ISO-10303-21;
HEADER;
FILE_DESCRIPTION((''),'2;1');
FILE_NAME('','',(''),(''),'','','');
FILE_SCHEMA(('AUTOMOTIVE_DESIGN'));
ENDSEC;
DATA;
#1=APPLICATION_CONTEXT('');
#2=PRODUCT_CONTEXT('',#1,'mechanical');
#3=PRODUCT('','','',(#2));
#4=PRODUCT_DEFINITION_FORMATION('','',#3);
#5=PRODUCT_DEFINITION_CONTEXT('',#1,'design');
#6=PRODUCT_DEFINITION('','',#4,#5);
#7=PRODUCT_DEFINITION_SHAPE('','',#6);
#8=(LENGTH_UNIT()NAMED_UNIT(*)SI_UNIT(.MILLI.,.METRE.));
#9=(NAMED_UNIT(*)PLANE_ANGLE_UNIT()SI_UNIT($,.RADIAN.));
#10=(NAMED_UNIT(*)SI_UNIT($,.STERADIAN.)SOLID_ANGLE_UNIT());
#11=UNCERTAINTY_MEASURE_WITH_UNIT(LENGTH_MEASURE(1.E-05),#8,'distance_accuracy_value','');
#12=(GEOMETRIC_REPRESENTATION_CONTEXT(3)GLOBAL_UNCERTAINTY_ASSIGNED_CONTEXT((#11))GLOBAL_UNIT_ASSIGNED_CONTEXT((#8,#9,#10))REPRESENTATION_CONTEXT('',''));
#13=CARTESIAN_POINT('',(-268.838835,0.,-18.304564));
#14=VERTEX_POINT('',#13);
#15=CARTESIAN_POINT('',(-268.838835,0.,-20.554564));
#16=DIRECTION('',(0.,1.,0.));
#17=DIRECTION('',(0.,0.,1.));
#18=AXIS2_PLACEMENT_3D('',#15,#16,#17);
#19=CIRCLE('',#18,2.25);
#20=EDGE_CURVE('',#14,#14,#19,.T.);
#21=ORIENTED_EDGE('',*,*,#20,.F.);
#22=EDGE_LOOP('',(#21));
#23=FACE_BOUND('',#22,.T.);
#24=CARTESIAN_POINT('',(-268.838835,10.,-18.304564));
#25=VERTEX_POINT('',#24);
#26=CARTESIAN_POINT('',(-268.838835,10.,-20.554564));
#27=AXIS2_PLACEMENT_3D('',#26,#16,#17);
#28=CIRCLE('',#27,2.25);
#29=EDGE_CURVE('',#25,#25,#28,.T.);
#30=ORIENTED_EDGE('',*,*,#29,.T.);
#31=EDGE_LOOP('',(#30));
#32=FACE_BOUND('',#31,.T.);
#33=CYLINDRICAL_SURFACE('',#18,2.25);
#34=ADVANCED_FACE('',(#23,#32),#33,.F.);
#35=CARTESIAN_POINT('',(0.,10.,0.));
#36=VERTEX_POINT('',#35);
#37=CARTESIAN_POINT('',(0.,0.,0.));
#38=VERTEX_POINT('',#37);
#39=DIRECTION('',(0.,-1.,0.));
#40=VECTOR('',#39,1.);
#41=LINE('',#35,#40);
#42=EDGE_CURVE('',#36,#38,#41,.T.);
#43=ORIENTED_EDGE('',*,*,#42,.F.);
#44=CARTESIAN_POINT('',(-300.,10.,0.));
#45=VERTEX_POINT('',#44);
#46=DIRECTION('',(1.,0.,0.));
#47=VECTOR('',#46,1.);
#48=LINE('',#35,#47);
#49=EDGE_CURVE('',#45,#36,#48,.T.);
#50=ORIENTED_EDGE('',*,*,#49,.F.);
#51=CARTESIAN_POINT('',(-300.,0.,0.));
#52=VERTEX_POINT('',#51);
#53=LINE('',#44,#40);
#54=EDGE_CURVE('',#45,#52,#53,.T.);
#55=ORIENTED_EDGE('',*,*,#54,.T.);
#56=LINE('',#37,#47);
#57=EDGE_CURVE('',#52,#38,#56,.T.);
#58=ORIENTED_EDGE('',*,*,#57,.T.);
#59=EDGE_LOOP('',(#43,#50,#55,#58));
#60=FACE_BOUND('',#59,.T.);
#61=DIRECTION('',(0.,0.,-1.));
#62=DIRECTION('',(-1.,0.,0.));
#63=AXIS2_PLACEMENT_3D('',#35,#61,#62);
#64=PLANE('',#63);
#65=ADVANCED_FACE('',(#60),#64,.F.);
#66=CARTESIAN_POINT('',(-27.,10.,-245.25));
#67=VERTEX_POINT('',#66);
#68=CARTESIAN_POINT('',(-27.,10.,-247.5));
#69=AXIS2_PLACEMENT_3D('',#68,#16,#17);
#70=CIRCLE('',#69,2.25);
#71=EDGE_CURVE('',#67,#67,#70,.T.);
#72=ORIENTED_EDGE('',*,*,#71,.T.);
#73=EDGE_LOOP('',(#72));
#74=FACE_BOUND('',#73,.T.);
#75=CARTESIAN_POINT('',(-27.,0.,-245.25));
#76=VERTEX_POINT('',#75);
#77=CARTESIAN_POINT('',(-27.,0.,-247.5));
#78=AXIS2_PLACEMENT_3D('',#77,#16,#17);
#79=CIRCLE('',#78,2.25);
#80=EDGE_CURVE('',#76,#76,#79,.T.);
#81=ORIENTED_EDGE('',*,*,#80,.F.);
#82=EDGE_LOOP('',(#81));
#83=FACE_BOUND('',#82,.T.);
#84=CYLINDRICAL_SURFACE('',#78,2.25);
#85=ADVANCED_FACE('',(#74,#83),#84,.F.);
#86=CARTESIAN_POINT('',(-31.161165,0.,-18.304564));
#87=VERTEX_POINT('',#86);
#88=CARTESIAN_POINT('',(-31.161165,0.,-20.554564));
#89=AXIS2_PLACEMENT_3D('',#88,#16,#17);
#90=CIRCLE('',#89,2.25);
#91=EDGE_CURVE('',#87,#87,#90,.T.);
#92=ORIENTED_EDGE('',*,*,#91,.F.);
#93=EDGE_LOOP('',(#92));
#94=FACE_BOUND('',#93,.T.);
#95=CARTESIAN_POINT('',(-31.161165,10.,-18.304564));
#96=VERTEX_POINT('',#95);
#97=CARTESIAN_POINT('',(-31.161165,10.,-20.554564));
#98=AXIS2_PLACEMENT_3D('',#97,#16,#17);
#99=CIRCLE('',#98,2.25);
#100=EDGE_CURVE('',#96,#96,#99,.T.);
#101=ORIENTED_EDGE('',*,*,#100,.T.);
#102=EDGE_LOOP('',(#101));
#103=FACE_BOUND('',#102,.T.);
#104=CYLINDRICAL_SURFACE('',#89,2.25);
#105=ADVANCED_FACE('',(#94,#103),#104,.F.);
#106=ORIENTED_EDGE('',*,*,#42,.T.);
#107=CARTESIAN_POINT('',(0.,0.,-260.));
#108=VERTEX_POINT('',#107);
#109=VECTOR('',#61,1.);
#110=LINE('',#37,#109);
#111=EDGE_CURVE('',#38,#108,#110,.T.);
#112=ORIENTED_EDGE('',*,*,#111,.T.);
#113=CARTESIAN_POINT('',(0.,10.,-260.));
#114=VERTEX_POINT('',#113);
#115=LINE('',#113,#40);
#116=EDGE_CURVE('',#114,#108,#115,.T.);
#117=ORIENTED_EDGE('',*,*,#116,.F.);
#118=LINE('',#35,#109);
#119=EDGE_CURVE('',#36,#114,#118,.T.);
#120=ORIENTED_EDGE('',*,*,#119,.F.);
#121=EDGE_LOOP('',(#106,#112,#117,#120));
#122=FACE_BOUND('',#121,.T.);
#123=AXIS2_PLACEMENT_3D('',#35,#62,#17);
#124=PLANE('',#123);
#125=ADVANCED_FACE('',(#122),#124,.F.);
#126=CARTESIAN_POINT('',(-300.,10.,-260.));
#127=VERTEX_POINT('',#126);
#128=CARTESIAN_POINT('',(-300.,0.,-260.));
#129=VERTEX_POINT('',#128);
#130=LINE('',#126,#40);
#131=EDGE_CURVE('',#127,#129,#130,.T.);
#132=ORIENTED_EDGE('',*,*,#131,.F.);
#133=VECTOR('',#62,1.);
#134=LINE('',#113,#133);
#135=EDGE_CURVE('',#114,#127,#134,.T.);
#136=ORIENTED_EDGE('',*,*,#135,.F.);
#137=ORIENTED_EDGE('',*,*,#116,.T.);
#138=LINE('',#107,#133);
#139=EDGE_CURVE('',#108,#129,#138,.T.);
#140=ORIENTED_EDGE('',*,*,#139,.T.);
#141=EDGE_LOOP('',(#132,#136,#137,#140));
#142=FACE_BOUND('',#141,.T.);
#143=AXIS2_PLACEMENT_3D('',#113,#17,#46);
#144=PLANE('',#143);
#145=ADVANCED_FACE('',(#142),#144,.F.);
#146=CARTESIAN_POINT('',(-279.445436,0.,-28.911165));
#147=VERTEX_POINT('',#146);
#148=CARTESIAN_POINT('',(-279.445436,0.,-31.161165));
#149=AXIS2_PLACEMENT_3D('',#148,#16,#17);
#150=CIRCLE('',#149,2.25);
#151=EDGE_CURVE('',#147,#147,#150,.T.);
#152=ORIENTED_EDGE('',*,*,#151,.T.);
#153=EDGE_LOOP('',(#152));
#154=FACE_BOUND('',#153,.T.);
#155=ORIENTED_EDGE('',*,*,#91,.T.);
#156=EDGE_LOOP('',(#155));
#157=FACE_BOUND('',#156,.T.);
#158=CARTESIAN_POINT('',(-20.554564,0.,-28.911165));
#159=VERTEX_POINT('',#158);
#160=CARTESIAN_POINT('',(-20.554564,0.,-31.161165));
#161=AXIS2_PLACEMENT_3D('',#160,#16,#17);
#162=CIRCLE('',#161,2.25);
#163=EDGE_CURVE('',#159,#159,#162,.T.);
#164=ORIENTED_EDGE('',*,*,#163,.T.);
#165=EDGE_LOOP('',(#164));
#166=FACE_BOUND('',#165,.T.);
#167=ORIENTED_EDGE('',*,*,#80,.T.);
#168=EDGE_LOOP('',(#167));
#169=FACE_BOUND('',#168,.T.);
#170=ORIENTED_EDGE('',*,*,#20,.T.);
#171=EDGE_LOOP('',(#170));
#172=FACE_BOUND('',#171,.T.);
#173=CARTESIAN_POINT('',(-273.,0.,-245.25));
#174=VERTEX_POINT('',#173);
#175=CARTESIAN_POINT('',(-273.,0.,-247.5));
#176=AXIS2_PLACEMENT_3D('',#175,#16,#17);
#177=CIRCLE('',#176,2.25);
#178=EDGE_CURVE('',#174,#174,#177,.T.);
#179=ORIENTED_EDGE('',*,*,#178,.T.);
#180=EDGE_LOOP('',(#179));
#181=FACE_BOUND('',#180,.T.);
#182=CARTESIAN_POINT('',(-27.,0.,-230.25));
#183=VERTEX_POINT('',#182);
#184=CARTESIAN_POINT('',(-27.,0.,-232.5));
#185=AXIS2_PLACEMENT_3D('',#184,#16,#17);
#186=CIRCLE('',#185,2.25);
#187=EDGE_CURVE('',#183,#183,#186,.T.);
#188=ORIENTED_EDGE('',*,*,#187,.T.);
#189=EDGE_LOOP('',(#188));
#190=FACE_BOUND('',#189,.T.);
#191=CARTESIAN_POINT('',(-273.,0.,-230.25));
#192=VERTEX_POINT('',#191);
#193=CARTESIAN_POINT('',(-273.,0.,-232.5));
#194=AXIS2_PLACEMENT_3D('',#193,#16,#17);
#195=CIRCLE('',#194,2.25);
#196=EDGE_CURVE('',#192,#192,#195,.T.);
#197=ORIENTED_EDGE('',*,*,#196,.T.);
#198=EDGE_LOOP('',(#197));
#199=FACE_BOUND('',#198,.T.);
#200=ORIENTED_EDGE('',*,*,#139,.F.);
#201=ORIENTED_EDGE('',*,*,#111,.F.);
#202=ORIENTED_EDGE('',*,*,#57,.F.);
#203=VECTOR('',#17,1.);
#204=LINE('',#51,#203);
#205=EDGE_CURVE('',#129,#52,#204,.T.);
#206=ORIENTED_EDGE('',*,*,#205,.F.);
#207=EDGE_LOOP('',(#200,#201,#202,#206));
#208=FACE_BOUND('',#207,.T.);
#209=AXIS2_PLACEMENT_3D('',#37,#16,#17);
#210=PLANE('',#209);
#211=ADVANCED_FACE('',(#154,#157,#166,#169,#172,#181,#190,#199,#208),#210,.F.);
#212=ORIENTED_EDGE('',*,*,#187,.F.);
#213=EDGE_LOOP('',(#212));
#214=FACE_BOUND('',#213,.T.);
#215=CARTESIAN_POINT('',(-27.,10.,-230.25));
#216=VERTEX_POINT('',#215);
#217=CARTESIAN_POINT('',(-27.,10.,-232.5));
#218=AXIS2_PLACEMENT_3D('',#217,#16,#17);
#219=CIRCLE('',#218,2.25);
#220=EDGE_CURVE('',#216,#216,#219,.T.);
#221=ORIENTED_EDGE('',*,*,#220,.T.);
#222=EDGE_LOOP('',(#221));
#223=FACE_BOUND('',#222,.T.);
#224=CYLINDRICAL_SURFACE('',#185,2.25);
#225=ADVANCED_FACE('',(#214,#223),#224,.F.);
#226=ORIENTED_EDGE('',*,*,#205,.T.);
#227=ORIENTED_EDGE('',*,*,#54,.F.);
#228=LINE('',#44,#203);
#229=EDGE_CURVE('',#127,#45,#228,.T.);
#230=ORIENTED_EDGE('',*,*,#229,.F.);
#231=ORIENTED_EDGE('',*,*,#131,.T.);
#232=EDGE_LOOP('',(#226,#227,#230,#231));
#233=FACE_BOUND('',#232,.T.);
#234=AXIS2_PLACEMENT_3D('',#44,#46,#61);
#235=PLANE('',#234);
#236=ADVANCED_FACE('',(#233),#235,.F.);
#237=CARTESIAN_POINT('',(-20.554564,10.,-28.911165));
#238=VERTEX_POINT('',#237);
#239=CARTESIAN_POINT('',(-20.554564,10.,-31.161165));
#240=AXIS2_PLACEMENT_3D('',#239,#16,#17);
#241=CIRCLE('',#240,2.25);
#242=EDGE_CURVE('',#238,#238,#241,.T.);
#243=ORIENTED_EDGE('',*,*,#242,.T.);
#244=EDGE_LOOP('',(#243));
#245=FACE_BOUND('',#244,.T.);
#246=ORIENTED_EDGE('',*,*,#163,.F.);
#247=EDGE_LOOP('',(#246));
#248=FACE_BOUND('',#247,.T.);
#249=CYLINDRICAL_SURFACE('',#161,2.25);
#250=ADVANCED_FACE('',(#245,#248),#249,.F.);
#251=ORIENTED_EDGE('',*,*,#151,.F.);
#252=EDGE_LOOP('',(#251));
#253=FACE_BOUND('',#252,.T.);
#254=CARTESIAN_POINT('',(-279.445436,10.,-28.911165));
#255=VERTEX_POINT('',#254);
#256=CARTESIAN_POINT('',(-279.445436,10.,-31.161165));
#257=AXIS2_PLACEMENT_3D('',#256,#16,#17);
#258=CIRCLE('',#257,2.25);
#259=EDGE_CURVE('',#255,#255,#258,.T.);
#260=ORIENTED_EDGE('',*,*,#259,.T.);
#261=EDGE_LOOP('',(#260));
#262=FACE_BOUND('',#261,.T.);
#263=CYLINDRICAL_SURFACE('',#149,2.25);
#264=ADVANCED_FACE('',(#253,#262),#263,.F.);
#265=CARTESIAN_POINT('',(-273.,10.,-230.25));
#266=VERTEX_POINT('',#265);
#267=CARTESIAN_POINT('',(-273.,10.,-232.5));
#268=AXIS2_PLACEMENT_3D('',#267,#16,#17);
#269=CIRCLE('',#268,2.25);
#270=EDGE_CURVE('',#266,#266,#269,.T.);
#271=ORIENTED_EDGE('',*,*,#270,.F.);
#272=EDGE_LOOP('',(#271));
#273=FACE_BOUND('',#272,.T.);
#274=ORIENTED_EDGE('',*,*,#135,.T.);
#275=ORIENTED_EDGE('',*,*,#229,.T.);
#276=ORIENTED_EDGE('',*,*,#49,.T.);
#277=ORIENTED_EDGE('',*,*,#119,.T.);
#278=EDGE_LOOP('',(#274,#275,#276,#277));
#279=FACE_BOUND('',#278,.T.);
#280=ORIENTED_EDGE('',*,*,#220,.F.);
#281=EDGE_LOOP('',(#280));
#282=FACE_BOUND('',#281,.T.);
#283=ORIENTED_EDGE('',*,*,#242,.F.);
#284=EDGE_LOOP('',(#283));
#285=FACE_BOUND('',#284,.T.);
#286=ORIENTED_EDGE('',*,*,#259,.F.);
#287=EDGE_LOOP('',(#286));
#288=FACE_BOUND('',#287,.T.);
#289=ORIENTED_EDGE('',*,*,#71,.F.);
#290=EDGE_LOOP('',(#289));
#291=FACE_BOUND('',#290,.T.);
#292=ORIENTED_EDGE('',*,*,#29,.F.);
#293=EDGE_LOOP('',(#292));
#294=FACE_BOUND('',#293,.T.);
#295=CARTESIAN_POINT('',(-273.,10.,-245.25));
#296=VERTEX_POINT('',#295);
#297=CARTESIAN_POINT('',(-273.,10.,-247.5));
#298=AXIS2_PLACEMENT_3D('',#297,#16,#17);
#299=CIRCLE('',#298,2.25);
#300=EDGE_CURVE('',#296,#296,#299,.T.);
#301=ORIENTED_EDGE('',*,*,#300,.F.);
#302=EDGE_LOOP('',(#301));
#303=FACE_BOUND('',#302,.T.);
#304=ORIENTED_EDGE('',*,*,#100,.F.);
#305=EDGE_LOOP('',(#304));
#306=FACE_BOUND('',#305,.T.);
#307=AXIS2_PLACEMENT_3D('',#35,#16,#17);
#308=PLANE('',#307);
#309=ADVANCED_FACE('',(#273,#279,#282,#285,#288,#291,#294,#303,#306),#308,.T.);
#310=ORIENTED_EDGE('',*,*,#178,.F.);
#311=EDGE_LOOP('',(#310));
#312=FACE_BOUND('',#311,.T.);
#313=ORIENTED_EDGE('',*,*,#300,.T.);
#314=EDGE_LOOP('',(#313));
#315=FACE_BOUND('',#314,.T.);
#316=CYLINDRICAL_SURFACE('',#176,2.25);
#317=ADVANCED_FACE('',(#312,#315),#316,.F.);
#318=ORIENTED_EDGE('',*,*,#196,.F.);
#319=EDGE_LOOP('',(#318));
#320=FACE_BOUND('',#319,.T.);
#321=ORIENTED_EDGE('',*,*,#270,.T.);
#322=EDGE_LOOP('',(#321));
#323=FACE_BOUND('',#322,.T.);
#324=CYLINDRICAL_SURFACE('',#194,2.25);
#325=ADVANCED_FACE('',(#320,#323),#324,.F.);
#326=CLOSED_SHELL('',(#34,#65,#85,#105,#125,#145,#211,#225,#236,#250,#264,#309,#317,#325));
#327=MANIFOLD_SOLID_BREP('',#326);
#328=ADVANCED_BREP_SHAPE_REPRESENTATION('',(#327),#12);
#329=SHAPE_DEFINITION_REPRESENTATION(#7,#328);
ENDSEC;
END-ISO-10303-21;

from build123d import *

# Parameters (mm, degrees)
SCHIZZO1_W                   = 300
SCHIZZO1_H                   = 260
ESTRUSIONE_ESTRUSIONE1_DEPTH = 10
SCHIZZO2_R                   = 2.25
TAGLIO_ESTRUSIONE1_DEPTH     = 10


with BuildPart() as part:
    # Schizzo1 → Estrusione-Estrusione1 (new body)
    with BuildSketch(Plane(origin=(0, 0, 0), x_dir=(1, 0, 0), z_dir=(0, 1, 0))):
        with Locations((-150, 130)):
            Rectangle(SCHIZZO1_W, SCHIZZO1_H)
    extrude(amount=ESTRUSIONE_ESTRUSIONE1_DEPTH)

    # Schizzo2 → Taglio-Estrusione1 (cut)
    with BuildSketch(Plane(origin=(0, 10, 0), x_dir=(1, 0, 0), z_dir=(0, 1, 0))):
        with Locations(Location((-268.838834765, 20.554563517, 0), (0, 0, 270))):
            Circle(SCHIZZO2_R)
        with Locations(Location((-279.445436483, 31.161165235, 0), (0, 0, 270))):
            Circle(SCHIZZO2_R)
        with Locations(Location((-20.554563517, 31.161165235, 0), (0, 0, 270))):
            Circle(SCHIZZO2_R)
        with Locations(Location((-31.161165235, 20.554563517, 0), (0, 0, 270))):
            Circle(SCHIZZO2_R)
        with Locations(Location((-273, 247.5, 0), (0, 0, 270))):
            Circle(SCHIZZO2_R)
        with Locations(Location((-273, 232.5, 0), (0, 0, 270))):
            Circle(SCHIZZO2_R)
        with Locations(Location((-27, 232.5, 0), (0, 0, 270))):
            Circle(SCHIZZO2_R)
        with Locations(Location((-27, 247.5, 0), (0, 0, 270))):
            Circle(SCHIZZO2_R)
    extrude(amount=-TAGLIO_ESTRUSIONE1_DEPTH, mode=Mode.SUBTRACT)


solid = part.part
